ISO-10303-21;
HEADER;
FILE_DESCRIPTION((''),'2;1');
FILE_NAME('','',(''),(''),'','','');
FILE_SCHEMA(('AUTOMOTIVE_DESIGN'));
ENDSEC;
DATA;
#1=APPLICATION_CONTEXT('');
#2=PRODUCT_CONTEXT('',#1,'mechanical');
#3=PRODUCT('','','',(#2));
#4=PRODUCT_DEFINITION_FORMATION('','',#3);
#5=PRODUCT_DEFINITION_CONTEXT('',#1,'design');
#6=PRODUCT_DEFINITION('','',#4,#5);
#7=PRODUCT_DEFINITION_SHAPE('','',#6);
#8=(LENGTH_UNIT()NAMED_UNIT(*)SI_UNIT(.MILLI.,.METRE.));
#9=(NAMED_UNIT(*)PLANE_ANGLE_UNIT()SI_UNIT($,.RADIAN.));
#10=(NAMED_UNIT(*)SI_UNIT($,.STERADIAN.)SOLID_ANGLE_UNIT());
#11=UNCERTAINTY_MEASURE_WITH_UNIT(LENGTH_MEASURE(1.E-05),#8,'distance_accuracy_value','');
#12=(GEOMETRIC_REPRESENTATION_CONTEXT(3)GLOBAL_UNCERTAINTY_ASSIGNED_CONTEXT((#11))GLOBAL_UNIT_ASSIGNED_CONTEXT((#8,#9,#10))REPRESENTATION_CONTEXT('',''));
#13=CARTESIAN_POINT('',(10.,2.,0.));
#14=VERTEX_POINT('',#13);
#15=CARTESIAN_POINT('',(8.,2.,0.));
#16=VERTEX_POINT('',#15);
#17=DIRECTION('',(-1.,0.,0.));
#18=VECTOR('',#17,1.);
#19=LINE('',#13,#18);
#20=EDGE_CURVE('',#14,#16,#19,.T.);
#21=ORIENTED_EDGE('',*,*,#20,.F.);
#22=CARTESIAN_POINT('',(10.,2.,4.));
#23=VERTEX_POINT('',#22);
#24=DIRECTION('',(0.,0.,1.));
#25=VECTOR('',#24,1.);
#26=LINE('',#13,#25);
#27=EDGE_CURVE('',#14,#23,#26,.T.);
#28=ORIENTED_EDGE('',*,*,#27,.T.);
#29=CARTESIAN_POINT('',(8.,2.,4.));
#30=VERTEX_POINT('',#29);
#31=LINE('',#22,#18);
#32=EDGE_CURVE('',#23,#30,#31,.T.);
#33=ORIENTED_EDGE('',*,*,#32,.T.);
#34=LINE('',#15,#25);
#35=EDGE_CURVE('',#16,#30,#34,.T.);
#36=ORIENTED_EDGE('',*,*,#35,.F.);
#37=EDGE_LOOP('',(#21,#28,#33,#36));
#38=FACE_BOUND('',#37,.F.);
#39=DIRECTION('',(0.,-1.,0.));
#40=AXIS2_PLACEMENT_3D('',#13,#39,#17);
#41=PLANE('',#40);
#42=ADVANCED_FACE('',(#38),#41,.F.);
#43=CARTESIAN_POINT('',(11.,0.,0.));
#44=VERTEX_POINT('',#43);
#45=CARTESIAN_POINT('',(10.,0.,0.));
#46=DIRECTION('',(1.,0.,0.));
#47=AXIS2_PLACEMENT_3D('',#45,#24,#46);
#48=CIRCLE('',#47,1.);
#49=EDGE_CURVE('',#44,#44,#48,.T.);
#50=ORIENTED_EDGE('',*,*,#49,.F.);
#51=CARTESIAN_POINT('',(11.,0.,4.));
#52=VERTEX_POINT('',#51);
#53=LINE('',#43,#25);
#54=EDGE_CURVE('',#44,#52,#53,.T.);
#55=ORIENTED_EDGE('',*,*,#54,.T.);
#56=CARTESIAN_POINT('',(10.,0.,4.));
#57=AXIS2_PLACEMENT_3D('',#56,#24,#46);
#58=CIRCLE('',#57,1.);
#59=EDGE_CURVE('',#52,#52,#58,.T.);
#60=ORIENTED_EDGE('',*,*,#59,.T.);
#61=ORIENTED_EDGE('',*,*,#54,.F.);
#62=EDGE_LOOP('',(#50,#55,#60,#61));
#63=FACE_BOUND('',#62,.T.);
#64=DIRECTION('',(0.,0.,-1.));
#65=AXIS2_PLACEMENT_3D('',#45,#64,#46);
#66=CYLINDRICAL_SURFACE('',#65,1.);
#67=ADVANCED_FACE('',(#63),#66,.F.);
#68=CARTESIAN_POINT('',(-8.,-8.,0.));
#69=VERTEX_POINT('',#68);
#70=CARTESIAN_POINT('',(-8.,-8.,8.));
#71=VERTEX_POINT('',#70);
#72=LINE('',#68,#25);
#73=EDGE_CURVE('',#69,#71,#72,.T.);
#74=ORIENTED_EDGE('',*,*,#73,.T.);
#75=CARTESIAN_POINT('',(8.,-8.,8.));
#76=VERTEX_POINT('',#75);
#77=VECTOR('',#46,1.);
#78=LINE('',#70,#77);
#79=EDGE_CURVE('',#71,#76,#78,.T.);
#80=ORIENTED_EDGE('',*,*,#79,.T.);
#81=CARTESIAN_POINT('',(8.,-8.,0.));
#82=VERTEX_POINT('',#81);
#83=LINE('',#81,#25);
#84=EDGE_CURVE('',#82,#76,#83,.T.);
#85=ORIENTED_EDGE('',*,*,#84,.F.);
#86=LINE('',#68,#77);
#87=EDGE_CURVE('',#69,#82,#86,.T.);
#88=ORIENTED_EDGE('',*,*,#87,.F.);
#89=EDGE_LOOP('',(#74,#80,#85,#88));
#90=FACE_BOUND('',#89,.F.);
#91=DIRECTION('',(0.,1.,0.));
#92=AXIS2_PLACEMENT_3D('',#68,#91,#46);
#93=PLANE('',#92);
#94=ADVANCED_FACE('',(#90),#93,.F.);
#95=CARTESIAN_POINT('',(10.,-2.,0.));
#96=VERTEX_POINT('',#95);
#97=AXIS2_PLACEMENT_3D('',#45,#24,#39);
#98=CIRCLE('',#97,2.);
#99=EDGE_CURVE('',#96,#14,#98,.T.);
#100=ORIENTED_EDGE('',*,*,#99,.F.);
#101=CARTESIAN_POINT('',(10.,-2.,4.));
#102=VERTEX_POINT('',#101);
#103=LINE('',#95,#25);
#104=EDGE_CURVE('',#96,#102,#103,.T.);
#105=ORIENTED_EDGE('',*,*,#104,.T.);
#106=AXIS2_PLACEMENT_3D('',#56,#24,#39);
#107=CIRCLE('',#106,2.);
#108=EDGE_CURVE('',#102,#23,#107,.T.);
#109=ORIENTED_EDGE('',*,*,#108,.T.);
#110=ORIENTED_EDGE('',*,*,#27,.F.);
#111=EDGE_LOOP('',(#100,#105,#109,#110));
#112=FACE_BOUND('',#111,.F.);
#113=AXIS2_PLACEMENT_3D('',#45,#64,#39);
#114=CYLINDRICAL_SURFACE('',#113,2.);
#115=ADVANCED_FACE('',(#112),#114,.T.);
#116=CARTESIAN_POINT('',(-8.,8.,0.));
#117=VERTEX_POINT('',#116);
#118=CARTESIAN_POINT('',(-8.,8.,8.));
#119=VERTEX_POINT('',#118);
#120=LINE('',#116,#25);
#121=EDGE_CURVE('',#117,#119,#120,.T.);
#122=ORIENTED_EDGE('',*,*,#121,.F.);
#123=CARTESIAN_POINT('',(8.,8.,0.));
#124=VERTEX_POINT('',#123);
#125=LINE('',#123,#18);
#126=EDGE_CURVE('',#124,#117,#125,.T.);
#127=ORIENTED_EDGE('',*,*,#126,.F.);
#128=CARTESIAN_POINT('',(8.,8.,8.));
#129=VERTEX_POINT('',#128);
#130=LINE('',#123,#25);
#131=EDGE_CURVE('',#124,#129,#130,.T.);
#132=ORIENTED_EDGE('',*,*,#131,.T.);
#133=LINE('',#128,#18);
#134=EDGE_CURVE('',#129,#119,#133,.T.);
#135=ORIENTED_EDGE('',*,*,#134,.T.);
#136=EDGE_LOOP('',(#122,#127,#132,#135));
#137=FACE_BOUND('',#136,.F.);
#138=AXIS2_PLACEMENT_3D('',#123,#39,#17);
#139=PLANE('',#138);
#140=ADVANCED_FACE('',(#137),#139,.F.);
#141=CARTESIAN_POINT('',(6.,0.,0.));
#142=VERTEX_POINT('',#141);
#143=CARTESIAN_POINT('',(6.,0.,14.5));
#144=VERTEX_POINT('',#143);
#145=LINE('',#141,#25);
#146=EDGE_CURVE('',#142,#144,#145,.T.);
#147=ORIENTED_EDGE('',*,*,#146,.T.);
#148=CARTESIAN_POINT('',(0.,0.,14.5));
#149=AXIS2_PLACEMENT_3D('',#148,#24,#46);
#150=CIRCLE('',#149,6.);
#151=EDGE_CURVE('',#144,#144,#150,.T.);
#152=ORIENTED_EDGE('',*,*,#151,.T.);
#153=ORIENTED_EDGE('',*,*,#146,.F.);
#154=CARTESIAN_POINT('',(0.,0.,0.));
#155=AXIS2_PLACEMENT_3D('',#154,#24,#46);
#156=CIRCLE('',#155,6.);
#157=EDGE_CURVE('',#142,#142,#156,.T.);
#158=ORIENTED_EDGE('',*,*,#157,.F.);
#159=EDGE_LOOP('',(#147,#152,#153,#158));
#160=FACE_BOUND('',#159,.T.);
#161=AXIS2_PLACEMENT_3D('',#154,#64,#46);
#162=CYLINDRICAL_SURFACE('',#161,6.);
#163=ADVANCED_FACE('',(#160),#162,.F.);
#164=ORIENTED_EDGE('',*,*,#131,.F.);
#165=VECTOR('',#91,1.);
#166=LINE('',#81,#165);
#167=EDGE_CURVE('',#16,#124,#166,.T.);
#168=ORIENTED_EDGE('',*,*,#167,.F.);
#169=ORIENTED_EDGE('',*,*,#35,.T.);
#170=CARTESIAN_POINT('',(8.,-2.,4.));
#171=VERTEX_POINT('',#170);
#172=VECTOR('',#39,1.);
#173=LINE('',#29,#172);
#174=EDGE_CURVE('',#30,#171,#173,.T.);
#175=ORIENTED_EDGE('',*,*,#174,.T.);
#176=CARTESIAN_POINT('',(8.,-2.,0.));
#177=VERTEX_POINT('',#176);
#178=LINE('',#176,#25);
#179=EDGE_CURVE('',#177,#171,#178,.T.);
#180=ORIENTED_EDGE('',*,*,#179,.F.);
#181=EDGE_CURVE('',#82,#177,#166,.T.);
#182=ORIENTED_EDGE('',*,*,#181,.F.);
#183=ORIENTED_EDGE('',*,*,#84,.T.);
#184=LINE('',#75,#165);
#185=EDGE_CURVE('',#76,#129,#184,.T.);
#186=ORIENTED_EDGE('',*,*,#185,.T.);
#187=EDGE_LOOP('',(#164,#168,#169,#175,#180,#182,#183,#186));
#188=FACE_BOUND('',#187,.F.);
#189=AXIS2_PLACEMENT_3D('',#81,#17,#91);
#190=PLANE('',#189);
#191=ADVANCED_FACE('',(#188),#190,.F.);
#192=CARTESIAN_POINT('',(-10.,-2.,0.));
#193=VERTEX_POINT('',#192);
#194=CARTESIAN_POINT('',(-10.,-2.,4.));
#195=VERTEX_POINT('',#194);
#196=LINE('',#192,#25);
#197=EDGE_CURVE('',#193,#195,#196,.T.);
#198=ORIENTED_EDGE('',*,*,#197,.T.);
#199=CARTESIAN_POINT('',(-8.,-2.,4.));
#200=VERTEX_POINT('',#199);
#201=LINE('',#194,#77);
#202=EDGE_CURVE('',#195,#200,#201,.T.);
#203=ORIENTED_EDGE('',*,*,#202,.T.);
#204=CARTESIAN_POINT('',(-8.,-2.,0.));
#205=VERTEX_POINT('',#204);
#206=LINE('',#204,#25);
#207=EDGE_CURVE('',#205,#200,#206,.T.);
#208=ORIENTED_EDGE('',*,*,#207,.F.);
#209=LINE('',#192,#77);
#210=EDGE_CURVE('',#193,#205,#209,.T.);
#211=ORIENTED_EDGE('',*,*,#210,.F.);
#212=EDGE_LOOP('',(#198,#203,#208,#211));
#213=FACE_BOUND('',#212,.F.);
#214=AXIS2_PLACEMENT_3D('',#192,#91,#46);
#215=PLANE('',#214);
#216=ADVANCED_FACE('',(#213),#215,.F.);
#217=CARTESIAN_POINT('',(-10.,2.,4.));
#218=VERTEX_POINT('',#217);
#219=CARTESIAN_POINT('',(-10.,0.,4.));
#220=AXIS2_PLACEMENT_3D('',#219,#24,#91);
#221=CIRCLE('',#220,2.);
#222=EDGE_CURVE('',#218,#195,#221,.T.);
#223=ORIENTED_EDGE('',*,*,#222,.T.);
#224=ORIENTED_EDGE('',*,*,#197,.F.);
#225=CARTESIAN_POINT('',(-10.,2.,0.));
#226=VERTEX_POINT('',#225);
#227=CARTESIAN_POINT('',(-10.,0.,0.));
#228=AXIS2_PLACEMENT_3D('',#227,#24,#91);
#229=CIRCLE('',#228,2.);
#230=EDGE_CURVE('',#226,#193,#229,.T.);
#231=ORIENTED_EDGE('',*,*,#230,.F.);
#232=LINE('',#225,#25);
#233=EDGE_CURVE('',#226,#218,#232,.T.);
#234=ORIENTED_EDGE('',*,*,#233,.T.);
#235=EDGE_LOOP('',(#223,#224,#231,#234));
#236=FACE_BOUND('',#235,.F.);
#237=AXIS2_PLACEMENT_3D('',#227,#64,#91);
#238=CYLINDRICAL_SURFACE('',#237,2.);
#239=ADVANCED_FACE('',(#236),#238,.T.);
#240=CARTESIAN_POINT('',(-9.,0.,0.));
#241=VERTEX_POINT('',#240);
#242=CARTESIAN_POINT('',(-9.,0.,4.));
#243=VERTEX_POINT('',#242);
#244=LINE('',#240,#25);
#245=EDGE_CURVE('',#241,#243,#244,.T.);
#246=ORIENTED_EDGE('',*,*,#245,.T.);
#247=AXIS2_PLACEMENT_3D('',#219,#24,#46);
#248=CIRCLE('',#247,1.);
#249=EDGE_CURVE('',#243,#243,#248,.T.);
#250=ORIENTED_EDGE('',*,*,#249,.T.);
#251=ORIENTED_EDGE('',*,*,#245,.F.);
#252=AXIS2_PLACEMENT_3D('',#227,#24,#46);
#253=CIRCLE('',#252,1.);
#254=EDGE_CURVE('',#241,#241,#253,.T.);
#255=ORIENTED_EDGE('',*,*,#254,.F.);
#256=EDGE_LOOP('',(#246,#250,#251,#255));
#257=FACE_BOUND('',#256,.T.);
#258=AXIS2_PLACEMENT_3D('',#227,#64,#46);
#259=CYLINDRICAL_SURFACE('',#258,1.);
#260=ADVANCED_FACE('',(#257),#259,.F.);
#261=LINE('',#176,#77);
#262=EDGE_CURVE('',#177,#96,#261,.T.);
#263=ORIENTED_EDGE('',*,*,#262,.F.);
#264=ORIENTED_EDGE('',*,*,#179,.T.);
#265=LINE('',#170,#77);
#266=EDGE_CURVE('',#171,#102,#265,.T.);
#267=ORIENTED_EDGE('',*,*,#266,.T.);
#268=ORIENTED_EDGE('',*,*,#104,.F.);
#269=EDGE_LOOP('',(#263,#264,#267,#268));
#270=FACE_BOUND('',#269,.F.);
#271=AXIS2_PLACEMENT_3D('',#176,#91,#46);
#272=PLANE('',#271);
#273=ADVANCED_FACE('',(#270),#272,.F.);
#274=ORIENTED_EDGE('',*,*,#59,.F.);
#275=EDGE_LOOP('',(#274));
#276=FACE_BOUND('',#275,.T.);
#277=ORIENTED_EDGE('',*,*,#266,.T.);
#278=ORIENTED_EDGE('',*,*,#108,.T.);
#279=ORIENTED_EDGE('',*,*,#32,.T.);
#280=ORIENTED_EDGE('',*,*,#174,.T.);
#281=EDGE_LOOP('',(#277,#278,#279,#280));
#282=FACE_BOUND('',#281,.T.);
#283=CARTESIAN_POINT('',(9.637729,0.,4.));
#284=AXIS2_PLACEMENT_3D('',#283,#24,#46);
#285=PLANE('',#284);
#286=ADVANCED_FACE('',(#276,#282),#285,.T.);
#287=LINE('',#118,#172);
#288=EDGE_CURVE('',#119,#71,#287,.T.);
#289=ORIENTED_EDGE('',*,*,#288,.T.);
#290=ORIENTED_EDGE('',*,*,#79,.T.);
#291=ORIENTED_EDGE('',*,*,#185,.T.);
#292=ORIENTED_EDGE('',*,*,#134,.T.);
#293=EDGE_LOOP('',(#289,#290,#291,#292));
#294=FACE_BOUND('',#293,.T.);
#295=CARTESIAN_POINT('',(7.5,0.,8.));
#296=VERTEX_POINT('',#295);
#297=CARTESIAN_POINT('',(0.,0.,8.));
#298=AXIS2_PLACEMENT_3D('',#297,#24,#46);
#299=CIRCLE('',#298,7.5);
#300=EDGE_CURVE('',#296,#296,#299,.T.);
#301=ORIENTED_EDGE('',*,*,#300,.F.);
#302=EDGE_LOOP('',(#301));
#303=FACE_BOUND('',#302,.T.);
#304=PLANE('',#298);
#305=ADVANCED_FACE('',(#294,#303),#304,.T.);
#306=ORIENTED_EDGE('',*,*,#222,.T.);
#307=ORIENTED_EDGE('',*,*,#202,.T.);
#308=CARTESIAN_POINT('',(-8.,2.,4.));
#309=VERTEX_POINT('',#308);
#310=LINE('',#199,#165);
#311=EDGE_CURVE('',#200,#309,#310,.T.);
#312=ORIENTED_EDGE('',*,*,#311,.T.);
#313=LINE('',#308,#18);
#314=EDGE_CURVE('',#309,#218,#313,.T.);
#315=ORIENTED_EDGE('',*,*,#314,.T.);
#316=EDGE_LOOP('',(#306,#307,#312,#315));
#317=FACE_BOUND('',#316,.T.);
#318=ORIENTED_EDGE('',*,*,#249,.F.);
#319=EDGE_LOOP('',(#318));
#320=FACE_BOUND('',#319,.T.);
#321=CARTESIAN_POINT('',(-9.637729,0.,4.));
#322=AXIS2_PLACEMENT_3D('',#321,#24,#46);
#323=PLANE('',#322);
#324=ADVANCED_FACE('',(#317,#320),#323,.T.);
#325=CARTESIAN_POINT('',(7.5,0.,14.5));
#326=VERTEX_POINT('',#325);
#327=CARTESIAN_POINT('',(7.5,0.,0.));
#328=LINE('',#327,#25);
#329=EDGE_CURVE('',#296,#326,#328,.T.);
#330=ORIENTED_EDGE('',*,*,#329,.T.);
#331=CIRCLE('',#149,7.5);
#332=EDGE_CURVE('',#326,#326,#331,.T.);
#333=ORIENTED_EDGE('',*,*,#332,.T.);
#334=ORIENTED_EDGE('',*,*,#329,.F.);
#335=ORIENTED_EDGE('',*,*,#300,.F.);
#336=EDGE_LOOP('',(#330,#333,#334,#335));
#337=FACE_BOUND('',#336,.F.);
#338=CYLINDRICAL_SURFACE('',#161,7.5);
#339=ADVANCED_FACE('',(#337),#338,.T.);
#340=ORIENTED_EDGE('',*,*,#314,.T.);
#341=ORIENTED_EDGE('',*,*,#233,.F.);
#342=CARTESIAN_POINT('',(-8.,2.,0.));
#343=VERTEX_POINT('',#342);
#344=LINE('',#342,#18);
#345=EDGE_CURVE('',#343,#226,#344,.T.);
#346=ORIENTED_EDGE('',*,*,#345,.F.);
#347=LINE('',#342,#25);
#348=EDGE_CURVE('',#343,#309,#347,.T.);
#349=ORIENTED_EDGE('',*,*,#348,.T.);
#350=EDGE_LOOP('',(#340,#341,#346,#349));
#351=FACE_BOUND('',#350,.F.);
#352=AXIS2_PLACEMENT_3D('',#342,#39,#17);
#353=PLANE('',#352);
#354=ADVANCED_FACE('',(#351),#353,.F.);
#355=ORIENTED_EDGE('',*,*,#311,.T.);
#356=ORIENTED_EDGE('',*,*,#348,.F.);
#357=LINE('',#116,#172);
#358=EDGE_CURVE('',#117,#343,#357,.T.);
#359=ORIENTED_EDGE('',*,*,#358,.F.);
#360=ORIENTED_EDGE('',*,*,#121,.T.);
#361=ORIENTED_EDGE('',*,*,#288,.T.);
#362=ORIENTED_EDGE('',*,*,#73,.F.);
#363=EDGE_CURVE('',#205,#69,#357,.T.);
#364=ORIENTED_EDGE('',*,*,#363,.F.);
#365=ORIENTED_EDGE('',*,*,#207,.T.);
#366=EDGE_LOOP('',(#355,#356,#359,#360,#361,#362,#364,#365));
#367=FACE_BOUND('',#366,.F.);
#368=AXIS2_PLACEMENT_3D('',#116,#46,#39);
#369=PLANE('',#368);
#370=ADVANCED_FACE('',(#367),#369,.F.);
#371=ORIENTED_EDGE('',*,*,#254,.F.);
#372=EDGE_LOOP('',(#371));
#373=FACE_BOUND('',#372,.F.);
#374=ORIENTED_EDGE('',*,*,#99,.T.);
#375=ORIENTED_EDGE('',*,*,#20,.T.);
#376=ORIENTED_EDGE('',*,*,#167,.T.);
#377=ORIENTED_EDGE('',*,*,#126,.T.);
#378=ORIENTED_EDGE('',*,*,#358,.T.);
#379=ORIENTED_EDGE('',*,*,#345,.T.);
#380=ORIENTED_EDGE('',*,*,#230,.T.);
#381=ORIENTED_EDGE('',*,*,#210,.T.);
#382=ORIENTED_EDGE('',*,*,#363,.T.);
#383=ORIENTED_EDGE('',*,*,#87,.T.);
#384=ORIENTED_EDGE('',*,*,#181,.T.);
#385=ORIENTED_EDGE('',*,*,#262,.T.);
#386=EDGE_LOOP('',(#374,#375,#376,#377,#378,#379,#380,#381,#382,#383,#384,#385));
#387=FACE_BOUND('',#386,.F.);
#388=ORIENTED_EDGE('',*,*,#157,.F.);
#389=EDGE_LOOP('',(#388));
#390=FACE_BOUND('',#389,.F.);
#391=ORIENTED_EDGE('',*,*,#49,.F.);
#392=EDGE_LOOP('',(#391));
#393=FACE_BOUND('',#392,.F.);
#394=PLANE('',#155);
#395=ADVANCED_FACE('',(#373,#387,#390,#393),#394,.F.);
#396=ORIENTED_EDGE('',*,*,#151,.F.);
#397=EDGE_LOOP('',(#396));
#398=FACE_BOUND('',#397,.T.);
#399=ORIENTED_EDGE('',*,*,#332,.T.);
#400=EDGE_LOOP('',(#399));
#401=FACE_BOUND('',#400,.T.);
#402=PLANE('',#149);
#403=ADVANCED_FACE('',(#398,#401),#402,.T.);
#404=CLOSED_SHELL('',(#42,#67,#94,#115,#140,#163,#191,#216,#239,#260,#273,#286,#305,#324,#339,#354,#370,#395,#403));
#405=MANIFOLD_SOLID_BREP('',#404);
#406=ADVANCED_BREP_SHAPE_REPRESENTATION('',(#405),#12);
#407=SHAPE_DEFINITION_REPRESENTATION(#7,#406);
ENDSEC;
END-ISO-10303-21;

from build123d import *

# Parameters (mm, degrees)
F0_R     = 7.5
F0_R_2   = 6
F1_DEPTH = 14.5
F2_DEPTH = 8
F0_R_3   = 1
F3_DEPTH = 4


with BuildPart() as f1:
    # F0 (on Top) → F1 (new body)
    with BuildSketch(Plane.XY):
        Circle(F0_R)
        Circle(F0_R_2, mode=Mode.SUBTRACT)
    extrude(amount=F1_DEPTH)

    # F0 (on Top) → F2 (join)
    with BuildSketch(Plane.XY):
        Polygon((8, 2), (8, 8), (-8, 8), (-8, 2), (-8, -2), (-8, -8), (8, -8), (8, -2), align=None)
        Circle(F0_R, mode=Mode.SUBTRACT)
    extrude(amount=F2_DEPTH)

    # F0 (on Top) → F3 (join)
    with BuildSketch(Plane.XY):
        with BuildLine():
            Line((-8, -2), (-8, 2))
            Line((-8, 2), (-10, 2))
            ThreePointArc((-10, 2), (-12, 0), (-10, -2))
            Line((-10, -2), (-8, -2))
        make_face()
        with Locations((-10, 0)):
            Circle(F0_R_3, mode=Mode.SUBTRACT)
        with BuildLine():
            Line((10, 2), (8, 2))
            Line((8, 2), (8, -2))
            Line((8, -2), (10, -2))
            ThreePointArc((10, -2), (12, 0), (10, 2))
        make_face()
        with Locations((10, 0)):
            Circle(F0_R_3, mode=Mode.SUBTRACT)
    extrude(amount=F3_DEPTH)


solid = f1.part
